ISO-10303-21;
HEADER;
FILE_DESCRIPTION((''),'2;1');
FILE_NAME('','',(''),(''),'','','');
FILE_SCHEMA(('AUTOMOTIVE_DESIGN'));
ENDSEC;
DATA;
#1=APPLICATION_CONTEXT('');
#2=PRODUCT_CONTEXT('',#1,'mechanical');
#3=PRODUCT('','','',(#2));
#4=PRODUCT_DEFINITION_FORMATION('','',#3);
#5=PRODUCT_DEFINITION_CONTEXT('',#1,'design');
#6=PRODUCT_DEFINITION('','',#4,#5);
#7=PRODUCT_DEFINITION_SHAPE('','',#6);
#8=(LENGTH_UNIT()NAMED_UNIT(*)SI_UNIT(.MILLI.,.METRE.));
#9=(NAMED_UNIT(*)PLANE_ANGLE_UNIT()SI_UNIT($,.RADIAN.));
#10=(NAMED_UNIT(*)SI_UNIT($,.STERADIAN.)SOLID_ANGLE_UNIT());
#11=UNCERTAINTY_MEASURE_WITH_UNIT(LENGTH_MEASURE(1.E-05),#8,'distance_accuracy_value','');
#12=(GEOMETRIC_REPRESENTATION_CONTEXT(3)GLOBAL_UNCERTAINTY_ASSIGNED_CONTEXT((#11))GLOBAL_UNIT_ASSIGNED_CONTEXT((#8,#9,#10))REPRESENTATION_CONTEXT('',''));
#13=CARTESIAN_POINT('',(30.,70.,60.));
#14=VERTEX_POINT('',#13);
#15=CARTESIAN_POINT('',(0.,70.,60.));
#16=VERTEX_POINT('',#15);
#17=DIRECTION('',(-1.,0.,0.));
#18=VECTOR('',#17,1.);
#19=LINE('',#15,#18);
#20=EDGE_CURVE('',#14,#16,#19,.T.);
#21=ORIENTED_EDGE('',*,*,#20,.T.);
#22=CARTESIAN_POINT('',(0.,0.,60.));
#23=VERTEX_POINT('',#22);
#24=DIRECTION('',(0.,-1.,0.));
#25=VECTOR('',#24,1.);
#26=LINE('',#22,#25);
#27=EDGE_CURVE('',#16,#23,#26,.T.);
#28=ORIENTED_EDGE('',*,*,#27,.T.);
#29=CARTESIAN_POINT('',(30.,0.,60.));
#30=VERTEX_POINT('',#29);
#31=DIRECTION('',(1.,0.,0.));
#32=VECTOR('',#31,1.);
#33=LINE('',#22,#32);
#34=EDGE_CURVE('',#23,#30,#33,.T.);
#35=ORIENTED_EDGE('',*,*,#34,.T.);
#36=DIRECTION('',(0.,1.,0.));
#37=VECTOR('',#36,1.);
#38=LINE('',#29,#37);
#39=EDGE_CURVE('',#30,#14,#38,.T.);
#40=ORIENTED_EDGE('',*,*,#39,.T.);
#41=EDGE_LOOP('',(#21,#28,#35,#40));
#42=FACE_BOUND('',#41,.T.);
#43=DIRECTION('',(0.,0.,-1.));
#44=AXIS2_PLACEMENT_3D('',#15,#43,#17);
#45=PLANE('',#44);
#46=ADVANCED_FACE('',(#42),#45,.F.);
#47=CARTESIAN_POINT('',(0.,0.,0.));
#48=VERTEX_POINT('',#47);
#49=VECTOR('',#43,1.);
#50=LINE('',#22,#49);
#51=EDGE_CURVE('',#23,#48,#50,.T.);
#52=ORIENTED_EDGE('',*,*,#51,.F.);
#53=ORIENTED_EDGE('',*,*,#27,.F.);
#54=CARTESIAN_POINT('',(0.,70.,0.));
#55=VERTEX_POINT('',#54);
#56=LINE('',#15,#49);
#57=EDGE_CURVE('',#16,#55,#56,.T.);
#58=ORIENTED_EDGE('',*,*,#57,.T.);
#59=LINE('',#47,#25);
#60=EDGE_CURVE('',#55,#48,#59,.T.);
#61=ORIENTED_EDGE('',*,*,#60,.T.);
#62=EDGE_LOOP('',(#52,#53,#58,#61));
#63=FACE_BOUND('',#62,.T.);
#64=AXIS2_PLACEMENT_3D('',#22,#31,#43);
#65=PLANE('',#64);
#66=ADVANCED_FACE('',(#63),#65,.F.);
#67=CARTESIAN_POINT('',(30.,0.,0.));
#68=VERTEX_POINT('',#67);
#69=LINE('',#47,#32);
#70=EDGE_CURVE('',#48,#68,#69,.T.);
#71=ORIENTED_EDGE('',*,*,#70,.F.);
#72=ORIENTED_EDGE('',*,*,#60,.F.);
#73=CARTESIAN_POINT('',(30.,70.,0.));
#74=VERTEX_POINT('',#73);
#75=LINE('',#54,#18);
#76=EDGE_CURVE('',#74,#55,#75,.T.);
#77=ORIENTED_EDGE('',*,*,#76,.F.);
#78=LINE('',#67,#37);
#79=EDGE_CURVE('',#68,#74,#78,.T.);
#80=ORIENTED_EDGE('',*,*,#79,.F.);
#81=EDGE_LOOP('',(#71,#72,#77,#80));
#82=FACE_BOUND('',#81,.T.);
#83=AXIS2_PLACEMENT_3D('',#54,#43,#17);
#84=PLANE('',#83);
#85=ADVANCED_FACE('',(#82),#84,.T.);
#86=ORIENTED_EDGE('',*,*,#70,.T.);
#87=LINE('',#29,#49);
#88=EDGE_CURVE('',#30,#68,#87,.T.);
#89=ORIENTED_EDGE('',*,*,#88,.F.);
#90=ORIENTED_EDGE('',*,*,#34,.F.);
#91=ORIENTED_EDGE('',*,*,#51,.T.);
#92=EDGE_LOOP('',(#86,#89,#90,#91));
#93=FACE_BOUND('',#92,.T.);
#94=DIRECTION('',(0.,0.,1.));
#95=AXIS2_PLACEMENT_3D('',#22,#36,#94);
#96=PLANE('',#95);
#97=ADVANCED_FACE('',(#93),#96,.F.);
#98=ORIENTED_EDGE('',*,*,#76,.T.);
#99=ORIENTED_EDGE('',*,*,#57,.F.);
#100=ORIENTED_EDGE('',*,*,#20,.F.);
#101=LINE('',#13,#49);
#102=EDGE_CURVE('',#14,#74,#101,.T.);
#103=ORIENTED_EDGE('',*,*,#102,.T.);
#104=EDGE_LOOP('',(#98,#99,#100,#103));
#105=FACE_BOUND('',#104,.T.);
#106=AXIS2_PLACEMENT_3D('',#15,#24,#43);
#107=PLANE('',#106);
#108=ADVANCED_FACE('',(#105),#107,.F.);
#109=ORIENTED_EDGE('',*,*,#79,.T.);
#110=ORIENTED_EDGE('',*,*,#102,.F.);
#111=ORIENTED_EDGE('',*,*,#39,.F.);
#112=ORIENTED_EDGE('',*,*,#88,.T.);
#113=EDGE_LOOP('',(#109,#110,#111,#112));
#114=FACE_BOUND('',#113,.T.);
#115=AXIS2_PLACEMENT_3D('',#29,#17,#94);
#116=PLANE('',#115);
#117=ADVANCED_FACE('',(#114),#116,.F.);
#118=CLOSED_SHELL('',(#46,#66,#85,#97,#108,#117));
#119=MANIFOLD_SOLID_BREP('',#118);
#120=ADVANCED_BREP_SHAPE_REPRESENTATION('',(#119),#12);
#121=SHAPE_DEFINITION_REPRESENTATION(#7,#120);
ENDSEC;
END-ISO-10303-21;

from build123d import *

# Parameters (mm, degrees)
ESQUISSE1_W        = 30
ESQUISSE1_H        = 70
BOSS_EXTRU_1_DEPTH = 60


with BuildPart() as part:
    # Esquisse1 → Boss.-Extru.1 (new body)
    with BuildSketch(Plane.XY):
        with Locations((15, 35)):
            Rectangle(ESQUISSE1_W, ESQUISSE1_H)
    extrude(amount=BOSS_EXTRU_1_DEPTH)


solid = part.part
